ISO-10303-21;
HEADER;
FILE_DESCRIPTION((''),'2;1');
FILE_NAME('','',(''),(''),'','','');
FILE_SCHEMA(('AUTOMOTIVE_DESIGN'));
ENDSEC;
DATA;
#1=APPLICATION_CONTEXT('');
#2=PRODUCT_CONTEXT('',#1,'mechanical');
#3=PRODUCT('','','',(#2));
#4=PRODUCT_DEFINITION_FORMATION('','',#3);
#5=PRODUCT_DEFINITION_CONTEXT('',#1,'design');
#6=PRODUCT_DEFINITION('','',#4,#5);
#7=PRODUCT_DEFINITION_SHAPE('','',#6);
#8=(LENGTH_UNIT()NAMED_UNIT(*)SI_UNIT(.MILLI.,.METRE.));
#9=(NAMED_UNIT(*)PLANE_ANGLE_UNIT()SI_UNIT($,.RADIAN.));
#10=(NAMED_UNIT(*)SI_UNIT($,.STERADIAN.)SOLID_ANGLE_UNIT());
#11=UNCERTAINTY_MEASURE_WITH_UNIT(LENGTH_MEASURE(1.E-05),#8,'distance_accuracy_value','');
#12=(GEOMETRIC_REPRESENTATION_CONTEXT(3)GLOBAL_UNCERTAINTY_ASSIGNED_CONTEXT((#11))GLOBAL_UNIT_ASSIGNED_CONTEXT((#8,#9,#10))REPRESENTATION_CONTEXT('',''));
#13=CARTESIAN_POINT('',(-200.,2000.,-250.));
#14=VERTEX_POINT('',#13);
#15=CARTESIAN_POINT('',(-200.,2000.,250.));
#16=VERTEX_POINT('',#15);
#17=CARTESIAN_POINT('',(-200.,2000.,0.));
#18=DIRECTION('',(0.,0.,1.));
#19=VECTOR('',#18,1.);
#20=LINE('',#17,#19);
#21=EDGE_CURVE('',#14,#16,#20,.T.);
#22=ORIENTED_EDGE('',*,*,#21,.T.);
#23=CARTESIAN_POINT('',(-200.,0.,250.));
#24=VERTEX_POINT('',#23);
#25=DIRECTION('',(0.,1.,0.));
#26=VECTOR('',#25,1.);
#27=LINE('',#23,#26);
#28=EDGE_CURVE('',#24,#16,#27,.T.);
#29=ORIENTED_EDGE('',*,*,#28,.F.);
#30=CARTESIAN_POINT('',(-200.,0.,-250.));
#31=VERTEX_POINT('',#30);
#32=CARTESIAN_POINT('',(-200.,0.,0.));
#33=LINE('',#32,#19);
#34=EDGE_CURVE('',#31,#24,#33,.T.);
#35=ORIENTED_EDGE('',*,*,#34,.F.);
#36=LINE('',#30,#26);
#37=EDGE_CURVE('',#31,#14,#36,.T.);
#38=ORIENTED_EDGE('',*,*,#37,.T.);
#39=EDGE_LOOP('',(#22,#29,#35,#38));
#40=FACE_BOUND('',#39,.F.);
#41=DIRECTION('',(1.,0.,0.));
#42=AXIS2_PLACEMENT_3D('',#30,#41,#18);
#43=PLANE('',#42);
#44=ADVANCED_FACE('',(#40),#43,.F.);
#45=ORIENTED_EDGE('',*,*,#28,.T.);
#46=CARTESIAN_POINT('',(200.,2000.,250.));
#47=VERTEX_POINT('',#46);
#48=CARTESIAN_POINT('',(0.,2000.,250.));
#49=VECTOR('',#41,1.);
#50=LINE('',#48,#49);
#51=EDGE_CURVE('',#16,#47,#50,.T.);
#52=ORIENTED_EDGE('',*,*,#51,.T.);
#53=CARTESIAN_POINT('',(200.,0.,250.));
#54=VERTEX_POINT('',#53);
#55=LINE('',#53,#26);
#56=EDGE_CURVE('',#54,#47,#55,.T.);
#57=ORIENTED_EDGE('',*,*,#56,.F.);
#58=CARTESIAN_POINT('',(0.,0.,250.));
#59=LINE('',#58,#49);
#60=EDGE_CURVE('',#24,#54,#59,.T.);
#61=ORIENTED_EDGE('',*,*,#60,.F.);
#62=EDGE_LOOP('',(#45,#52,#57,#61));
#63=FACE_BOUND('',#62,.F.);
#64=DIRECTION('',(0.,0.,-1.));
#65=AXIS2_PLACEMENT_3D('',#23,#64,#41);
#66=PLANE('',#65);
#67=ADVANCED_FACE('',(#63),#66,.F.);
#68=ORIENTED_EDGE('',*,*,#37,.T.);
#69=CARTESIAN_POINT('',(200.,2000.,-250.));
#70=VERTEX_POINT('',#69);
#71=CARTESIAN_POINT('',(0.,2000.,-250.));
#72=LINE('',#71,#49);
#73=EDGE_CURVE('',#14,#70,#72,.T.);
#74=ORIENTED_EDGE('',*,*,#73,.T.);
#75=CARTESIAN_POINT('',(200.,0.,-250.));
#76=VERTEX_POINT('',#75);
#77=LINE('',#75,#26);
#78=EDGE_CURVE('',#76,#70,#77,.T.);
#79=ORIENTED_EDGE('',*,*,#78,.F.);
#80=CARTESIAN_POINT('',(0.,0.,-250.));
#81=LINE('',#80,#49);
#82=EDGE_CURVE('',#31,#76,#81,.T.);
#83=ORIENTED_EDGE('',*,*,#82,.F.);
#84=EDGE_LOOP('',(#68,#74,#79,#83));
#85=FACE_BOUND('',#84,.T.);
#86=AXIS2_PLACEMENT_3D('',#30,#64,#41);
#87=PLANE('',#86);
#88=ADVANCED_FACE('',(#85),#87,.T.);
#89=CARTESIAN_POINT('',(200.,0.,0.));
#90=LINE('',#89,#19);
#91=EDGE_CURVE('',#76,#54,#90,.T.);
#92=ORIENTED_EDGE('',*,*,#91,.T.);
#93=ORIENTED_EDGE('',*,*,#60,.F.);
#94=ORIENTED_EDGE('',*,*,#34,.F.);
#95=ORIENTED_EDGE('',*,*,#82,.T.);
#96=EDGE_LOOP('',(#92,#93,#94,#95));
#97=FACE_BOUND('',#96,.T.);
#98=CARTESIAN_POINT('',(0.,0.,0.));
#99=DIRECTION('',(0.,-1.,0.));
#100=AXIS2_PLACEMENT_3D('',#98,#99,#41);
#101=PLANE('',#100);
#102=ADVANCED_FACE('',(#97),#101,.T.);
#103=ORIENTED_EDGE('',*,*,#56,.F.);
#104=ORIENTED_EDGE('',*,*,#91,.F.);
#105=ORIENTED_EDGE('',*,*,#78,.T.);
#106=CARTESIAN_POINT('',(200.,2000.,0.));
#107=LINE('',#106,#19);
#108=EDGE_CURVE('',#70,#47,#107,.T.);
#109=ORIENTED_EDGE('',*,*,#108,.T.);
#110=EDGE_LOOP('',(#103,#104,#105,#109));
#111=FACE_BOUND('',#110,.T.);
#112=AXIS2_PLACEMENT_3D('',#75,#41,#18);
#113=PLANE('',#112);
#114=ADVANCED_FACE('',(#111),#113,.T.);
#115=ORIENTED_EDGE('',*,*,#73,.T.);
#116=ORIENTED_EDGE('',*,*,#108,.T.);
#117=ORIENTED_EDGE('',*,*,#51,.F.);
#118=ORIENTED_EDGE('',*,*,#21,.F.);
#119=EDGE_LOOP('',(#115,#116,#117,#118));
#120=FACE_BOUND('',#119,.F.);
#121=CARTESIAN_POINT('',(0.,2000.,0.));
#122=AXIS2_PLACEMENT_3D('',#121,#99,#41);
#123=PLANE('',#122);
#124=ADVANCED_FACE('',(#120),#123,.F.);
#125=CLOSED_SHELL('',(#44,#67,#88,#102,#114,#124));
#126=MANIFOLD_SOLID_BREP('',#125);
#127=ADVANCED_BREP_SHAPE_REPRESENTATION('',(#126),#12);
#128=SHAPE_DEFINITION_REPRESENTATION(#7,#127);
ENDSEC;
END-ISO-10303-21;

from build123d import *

# Parameters (mm, degrees)
SKETCH_W  = 400
SKETCH_H  = 500
PAD_DEPTH = 2000


with BuildPart() as part:
    # Sketch → Pad (new body)
    with BuildSketch(Plane.XZ):
        Rectangle(SKETCH_W, SKETCH_H)
    extrude(amount=-PAD_DEPTH)


solid = part.part
